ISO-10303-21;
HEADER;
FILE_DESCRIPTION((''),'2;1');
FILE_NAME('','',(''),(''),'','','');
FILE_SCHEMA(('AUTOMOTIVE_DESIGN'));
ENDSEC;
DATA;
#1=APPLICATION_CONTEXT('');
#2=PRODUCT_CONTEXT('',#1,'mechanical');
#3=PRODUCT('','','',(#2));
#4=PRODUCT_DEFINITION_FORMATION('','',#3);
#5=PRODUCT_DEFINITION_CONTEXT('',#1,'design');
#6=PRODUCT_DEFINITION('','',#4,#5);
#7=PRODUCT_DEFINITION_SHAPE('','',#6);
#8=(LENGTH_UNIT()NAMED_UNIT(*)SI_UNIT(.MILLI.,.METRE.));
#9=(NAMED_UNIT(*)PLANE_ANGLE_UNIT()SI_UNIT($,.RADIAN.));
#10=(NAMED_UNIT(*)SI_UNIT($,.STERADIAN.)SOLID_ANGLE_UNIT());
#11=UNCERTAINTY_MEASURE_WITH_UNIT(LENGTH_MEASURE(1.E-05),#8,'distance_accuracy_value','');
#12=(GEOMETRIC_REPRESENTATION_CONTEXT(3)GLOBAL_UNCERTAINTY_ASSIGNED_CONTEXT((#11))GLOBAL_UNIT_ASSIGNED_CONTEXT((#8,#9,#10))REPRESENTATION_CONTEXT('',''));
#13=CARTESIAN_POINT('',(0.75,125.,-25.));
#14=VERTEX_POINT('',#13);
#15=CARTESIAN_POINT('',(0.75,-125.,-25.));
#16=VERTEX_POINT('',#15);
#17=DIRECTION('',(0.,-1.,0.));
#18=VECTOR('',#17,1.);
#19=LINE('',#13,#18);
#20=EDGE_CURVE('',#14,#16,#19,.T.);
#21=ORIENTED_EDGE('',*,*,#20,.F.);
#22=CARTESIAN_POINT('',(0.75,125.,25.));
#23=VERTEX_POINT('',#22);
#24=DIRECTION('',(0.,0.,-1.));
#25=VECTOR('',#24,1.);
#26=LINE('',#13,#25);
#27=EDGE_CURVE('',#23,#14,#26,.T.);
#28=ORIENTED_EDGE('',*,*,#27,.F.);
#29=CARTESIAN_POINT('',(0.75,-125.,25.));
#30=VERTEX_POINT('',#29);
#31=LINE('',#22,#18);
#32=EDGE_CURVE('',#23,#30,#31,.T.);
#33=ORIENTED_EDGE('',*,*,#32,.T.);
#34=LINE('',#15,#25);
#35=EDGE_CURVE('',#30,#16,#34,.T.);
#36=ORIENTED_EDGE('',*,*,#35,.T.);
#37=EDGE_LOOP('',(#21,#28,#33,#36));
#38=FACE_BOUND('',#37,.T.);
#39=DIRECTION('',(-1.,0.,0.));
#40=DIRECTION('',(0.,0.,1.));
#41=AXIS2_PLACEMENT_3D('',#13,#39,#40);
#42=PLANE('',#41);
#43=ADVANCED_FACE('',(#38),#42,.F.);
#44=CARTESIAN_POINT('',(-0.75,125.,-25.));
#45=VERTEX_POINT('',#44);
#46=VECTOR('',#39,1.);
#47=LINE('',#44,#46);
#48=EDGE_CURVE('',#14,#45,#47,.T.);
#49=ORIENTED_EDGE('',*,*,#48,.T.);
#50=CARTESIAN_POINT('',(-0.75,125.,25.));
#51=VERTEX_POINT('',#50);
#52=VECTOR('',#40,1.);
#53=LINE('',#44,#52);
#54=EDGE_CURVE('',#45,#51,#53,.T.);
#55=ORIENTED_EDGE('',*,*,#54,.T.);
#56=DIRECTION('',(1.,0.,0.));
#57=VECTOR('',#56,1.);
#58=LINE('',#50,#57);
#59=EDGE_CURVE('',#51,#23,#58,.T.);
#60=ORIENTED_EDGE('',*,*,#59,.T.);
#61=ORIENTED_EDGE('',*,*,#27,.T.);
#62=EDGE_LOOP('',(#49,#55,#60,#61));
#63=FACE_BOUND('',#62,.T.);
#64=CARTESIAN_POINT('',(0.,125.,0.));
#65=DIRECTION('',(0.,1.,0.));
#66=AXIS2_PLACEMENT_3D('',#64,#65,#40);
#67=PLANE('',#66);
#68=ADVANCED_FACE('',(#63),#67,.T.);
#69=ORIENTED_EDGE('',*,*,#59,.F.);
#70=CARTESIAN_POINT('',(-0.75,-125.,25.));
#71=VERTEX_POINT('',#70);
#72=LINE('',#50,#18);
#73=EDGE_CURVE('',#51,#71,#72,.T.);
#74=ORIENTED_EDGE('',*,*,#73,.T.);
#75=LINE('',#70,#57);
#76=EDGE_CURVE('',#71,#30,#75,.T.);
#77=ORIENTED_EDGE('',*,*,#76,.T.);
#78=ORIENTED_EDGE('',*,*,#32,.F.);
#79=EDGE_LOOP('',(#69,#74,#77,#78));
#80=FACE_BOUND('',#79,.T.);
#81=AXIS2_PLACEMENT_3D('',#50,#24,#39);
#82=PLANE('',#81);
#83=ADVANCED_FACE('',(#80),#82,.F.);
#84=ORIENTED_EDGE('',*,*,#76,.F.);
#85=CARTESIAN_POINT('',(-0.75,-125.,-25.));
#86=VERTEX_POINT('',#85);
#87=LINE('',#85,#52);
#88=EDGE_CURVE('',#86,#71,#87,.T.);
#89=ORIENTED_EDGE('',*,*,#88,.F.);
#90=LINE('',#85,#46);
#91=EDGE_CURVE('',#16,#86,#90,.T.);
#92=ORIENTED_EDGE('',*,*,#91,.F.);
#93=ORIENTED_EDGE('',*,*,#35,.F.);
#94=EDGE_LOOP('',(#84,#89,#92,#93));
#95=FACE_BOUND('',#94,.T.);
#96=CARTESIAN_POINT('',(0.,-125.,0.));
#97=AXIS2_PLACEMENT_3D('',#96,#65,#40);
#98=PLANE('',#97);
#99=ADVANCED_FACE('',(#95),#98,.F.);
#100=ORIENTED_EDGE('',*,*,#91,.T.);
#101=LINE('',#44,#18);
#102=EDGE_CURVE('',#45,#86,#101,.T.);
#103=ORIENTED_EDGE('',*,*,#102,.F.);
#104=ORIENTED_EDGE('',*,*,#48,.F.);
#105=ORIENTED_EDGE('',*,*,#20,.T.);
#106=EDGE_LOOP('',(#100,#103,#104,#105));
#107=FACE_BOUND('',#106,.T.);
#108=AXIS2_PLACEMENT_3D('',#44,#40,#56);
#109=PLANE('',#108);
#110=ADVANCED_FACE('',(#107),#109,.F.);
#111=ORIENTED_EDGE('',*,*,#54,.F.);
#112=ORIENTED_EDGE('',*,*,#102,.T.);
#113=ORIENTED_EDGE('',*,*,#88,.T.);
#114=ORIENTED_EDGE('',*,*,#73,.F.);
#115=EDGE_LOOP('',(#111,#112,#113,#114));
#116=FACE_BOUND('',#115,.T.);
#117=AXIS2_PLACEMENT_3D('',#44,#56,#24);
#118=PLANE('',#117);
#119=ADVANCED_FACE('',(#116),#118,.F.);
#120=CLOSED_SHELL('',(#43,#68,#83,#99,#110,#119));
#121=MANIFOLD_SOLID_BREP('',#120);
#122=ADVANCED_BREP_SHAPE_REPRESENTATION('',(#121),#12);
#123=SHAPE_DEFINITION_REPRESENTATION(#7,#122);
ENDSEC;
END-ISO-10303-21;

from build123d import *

# Parameters (mm, degrees)
SKETCH1_W           = 1.5
SKETCH1_H           = 50
BOSS_EXTRUDE1_DEPTH = 125


with BuildPart() as part:
    # Sketch1 → Boss-Extrude1 (new body, symmetric)
    with BuildSketch(Plane(origin=(0, 0, 0), x_dir=(1, 0, 0), z_dir=(0, 1, 0))):
        Rectangle(SKETCH1_W, SKETCH1_H)
    extrude(amount=BOSS_EXTRUDE1_DEPTH, both=True)


solid = part.part
